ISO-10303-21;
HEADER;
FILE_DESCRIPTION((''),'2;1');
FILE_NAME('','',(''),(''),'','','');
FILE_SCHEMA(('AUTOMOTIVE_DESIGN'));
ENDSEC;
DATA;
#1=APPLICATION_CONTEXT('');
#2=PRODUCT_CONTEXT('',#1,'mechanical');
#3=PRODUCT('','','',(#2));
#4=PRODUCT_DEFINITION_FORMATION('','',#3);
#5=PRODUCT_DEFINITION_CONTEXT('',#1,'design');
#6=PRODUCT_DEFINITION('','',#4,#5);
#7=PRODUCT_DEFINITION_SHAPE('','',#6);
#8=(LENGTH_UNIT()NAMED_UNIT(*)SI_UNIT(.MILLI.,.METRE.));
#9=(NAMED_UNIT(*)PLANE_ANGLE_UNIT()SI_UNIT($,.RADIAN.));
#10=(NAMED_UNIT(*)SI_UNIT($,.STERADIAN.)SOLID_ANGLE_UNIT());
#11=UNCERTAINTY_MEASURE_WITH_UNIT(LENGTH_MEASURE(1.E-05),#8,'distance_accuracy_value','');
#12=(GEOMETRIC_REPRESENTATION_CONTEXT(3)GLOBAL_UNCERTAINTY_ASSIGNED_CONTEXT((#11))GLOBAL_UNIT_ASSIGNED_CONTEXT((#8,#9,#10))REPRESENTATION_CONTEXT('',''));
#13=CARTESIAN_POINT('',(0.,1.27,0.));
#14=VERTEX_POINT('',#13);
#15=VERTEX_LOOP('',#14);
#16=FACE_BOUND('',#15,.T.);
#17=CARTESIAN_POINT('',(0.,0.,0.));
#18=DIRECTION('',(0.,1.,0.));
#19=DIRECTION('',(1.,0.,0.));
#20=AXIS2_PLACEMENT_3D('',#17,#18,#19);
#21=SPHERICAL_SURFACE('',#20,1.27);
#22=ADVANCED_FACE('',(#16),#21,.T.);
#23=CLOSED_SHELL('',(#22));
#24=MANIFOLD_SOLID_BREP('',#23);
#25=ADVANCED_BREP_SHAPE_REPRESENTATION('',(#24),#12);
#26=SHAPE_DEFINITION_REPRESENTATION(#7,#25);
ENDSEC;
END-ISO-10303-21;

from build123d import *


with BuildPart() as part:
    # Sketch1 → Revolve1 (revolve)
    with BuildSketch(Plane.XY):
        with BuildLine():
            Line((0, 1.27), (0, -1.27))
            ThreePointArc((0, -1.27), (1.27, 0), (0, 1.27))
        make_face()
    revolve(axis=Axis((0, 5.811212121, 0), (0, -1, 0)))


solid = part.part
